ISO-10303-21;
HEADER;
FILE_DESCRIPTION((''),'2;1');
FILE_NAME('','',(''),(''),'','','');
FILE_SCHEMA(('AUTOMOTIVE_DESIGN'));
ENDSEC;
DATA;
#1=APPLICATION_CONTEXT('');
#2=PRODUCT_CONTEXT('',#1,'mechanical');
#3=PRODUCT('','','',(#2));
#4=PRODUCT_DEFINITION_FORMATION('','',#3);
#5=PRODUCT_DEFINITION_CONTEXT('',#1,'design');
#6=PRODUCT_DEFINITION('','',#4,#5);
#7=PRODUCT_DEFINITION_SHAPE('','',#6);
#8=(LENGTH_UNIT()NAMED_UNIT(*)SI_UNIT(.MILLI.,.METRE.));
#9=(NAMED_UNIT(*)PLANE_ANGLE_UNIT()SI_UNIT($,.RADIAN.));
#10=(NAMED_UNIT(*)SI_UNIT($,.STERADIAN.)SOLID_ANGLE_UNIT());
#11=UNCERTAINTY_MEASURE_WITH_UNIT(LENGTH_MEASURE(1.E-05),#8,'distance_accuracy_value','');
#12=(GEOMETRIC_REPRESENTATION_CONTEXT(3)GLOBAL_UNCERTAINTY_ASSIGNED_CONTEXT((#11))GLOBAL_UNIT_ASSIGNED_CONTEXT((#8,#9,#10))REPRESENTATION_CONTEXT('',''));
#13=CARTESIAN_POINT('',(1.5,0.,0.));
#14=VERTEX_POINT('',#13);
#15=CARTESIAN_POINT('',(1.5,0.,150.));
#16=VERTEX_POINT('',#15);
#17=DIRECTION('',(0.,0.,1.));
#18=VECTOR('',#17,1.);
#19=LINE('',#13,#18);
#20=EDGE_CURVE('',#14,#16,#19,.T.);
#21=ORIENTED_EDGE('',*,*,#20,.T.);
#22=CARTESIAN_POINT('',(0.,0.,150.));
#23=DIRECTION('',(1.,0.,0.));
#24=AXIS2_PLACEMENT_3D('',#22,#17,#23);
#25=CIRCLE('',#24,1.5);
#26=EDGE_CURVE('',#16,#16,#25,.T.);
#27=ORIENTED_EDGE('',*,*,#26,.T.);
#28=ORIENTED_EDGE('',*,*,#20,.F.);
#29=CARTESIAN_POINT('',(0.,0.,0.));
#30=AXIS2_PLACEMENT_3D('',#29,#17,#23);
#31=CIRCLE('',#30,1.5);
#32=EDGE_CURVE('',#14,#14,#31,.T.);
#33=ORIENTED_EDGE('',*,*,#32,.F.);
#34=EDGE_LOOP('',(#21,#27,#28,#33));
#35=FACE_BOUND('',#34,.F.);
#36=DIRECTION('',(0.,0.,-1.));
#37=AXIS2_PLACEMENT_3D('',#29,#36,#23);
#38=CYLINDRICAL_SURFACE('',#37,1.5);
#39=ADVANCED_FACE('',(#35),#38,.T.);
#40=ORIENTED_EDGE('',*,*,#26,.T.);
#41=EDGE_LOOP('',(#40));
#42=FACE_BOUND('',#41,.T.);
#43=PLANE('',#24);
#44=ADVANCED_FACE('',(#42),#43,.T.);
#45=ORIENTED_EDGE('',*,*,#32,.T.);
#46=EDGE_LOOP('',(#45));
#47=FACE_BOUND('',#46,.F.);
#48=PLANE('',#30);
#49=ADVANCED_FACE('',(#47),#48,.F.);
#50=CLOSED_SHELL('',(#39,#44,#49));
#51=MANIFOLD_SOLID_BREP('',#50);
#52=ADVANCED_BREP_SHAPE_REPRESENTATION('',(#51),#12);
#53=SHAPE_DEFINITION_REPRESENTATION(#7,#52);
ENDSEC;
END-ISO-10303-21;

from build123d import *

# Parameters (mm, degrees)
SKETCH1_R           = 1.5
BOSS_EXTRUDE1_DEPTH = 150


with BuildPart() as part:
    # Sketch1 → Boss-Extrude1 (new body)
    with BuildSketch(Plane.XY):
        Circle(SKETCH1_R)
    extrude(amount=BOSS_EXTRUDE1_DEPTH)


solid = part.part
